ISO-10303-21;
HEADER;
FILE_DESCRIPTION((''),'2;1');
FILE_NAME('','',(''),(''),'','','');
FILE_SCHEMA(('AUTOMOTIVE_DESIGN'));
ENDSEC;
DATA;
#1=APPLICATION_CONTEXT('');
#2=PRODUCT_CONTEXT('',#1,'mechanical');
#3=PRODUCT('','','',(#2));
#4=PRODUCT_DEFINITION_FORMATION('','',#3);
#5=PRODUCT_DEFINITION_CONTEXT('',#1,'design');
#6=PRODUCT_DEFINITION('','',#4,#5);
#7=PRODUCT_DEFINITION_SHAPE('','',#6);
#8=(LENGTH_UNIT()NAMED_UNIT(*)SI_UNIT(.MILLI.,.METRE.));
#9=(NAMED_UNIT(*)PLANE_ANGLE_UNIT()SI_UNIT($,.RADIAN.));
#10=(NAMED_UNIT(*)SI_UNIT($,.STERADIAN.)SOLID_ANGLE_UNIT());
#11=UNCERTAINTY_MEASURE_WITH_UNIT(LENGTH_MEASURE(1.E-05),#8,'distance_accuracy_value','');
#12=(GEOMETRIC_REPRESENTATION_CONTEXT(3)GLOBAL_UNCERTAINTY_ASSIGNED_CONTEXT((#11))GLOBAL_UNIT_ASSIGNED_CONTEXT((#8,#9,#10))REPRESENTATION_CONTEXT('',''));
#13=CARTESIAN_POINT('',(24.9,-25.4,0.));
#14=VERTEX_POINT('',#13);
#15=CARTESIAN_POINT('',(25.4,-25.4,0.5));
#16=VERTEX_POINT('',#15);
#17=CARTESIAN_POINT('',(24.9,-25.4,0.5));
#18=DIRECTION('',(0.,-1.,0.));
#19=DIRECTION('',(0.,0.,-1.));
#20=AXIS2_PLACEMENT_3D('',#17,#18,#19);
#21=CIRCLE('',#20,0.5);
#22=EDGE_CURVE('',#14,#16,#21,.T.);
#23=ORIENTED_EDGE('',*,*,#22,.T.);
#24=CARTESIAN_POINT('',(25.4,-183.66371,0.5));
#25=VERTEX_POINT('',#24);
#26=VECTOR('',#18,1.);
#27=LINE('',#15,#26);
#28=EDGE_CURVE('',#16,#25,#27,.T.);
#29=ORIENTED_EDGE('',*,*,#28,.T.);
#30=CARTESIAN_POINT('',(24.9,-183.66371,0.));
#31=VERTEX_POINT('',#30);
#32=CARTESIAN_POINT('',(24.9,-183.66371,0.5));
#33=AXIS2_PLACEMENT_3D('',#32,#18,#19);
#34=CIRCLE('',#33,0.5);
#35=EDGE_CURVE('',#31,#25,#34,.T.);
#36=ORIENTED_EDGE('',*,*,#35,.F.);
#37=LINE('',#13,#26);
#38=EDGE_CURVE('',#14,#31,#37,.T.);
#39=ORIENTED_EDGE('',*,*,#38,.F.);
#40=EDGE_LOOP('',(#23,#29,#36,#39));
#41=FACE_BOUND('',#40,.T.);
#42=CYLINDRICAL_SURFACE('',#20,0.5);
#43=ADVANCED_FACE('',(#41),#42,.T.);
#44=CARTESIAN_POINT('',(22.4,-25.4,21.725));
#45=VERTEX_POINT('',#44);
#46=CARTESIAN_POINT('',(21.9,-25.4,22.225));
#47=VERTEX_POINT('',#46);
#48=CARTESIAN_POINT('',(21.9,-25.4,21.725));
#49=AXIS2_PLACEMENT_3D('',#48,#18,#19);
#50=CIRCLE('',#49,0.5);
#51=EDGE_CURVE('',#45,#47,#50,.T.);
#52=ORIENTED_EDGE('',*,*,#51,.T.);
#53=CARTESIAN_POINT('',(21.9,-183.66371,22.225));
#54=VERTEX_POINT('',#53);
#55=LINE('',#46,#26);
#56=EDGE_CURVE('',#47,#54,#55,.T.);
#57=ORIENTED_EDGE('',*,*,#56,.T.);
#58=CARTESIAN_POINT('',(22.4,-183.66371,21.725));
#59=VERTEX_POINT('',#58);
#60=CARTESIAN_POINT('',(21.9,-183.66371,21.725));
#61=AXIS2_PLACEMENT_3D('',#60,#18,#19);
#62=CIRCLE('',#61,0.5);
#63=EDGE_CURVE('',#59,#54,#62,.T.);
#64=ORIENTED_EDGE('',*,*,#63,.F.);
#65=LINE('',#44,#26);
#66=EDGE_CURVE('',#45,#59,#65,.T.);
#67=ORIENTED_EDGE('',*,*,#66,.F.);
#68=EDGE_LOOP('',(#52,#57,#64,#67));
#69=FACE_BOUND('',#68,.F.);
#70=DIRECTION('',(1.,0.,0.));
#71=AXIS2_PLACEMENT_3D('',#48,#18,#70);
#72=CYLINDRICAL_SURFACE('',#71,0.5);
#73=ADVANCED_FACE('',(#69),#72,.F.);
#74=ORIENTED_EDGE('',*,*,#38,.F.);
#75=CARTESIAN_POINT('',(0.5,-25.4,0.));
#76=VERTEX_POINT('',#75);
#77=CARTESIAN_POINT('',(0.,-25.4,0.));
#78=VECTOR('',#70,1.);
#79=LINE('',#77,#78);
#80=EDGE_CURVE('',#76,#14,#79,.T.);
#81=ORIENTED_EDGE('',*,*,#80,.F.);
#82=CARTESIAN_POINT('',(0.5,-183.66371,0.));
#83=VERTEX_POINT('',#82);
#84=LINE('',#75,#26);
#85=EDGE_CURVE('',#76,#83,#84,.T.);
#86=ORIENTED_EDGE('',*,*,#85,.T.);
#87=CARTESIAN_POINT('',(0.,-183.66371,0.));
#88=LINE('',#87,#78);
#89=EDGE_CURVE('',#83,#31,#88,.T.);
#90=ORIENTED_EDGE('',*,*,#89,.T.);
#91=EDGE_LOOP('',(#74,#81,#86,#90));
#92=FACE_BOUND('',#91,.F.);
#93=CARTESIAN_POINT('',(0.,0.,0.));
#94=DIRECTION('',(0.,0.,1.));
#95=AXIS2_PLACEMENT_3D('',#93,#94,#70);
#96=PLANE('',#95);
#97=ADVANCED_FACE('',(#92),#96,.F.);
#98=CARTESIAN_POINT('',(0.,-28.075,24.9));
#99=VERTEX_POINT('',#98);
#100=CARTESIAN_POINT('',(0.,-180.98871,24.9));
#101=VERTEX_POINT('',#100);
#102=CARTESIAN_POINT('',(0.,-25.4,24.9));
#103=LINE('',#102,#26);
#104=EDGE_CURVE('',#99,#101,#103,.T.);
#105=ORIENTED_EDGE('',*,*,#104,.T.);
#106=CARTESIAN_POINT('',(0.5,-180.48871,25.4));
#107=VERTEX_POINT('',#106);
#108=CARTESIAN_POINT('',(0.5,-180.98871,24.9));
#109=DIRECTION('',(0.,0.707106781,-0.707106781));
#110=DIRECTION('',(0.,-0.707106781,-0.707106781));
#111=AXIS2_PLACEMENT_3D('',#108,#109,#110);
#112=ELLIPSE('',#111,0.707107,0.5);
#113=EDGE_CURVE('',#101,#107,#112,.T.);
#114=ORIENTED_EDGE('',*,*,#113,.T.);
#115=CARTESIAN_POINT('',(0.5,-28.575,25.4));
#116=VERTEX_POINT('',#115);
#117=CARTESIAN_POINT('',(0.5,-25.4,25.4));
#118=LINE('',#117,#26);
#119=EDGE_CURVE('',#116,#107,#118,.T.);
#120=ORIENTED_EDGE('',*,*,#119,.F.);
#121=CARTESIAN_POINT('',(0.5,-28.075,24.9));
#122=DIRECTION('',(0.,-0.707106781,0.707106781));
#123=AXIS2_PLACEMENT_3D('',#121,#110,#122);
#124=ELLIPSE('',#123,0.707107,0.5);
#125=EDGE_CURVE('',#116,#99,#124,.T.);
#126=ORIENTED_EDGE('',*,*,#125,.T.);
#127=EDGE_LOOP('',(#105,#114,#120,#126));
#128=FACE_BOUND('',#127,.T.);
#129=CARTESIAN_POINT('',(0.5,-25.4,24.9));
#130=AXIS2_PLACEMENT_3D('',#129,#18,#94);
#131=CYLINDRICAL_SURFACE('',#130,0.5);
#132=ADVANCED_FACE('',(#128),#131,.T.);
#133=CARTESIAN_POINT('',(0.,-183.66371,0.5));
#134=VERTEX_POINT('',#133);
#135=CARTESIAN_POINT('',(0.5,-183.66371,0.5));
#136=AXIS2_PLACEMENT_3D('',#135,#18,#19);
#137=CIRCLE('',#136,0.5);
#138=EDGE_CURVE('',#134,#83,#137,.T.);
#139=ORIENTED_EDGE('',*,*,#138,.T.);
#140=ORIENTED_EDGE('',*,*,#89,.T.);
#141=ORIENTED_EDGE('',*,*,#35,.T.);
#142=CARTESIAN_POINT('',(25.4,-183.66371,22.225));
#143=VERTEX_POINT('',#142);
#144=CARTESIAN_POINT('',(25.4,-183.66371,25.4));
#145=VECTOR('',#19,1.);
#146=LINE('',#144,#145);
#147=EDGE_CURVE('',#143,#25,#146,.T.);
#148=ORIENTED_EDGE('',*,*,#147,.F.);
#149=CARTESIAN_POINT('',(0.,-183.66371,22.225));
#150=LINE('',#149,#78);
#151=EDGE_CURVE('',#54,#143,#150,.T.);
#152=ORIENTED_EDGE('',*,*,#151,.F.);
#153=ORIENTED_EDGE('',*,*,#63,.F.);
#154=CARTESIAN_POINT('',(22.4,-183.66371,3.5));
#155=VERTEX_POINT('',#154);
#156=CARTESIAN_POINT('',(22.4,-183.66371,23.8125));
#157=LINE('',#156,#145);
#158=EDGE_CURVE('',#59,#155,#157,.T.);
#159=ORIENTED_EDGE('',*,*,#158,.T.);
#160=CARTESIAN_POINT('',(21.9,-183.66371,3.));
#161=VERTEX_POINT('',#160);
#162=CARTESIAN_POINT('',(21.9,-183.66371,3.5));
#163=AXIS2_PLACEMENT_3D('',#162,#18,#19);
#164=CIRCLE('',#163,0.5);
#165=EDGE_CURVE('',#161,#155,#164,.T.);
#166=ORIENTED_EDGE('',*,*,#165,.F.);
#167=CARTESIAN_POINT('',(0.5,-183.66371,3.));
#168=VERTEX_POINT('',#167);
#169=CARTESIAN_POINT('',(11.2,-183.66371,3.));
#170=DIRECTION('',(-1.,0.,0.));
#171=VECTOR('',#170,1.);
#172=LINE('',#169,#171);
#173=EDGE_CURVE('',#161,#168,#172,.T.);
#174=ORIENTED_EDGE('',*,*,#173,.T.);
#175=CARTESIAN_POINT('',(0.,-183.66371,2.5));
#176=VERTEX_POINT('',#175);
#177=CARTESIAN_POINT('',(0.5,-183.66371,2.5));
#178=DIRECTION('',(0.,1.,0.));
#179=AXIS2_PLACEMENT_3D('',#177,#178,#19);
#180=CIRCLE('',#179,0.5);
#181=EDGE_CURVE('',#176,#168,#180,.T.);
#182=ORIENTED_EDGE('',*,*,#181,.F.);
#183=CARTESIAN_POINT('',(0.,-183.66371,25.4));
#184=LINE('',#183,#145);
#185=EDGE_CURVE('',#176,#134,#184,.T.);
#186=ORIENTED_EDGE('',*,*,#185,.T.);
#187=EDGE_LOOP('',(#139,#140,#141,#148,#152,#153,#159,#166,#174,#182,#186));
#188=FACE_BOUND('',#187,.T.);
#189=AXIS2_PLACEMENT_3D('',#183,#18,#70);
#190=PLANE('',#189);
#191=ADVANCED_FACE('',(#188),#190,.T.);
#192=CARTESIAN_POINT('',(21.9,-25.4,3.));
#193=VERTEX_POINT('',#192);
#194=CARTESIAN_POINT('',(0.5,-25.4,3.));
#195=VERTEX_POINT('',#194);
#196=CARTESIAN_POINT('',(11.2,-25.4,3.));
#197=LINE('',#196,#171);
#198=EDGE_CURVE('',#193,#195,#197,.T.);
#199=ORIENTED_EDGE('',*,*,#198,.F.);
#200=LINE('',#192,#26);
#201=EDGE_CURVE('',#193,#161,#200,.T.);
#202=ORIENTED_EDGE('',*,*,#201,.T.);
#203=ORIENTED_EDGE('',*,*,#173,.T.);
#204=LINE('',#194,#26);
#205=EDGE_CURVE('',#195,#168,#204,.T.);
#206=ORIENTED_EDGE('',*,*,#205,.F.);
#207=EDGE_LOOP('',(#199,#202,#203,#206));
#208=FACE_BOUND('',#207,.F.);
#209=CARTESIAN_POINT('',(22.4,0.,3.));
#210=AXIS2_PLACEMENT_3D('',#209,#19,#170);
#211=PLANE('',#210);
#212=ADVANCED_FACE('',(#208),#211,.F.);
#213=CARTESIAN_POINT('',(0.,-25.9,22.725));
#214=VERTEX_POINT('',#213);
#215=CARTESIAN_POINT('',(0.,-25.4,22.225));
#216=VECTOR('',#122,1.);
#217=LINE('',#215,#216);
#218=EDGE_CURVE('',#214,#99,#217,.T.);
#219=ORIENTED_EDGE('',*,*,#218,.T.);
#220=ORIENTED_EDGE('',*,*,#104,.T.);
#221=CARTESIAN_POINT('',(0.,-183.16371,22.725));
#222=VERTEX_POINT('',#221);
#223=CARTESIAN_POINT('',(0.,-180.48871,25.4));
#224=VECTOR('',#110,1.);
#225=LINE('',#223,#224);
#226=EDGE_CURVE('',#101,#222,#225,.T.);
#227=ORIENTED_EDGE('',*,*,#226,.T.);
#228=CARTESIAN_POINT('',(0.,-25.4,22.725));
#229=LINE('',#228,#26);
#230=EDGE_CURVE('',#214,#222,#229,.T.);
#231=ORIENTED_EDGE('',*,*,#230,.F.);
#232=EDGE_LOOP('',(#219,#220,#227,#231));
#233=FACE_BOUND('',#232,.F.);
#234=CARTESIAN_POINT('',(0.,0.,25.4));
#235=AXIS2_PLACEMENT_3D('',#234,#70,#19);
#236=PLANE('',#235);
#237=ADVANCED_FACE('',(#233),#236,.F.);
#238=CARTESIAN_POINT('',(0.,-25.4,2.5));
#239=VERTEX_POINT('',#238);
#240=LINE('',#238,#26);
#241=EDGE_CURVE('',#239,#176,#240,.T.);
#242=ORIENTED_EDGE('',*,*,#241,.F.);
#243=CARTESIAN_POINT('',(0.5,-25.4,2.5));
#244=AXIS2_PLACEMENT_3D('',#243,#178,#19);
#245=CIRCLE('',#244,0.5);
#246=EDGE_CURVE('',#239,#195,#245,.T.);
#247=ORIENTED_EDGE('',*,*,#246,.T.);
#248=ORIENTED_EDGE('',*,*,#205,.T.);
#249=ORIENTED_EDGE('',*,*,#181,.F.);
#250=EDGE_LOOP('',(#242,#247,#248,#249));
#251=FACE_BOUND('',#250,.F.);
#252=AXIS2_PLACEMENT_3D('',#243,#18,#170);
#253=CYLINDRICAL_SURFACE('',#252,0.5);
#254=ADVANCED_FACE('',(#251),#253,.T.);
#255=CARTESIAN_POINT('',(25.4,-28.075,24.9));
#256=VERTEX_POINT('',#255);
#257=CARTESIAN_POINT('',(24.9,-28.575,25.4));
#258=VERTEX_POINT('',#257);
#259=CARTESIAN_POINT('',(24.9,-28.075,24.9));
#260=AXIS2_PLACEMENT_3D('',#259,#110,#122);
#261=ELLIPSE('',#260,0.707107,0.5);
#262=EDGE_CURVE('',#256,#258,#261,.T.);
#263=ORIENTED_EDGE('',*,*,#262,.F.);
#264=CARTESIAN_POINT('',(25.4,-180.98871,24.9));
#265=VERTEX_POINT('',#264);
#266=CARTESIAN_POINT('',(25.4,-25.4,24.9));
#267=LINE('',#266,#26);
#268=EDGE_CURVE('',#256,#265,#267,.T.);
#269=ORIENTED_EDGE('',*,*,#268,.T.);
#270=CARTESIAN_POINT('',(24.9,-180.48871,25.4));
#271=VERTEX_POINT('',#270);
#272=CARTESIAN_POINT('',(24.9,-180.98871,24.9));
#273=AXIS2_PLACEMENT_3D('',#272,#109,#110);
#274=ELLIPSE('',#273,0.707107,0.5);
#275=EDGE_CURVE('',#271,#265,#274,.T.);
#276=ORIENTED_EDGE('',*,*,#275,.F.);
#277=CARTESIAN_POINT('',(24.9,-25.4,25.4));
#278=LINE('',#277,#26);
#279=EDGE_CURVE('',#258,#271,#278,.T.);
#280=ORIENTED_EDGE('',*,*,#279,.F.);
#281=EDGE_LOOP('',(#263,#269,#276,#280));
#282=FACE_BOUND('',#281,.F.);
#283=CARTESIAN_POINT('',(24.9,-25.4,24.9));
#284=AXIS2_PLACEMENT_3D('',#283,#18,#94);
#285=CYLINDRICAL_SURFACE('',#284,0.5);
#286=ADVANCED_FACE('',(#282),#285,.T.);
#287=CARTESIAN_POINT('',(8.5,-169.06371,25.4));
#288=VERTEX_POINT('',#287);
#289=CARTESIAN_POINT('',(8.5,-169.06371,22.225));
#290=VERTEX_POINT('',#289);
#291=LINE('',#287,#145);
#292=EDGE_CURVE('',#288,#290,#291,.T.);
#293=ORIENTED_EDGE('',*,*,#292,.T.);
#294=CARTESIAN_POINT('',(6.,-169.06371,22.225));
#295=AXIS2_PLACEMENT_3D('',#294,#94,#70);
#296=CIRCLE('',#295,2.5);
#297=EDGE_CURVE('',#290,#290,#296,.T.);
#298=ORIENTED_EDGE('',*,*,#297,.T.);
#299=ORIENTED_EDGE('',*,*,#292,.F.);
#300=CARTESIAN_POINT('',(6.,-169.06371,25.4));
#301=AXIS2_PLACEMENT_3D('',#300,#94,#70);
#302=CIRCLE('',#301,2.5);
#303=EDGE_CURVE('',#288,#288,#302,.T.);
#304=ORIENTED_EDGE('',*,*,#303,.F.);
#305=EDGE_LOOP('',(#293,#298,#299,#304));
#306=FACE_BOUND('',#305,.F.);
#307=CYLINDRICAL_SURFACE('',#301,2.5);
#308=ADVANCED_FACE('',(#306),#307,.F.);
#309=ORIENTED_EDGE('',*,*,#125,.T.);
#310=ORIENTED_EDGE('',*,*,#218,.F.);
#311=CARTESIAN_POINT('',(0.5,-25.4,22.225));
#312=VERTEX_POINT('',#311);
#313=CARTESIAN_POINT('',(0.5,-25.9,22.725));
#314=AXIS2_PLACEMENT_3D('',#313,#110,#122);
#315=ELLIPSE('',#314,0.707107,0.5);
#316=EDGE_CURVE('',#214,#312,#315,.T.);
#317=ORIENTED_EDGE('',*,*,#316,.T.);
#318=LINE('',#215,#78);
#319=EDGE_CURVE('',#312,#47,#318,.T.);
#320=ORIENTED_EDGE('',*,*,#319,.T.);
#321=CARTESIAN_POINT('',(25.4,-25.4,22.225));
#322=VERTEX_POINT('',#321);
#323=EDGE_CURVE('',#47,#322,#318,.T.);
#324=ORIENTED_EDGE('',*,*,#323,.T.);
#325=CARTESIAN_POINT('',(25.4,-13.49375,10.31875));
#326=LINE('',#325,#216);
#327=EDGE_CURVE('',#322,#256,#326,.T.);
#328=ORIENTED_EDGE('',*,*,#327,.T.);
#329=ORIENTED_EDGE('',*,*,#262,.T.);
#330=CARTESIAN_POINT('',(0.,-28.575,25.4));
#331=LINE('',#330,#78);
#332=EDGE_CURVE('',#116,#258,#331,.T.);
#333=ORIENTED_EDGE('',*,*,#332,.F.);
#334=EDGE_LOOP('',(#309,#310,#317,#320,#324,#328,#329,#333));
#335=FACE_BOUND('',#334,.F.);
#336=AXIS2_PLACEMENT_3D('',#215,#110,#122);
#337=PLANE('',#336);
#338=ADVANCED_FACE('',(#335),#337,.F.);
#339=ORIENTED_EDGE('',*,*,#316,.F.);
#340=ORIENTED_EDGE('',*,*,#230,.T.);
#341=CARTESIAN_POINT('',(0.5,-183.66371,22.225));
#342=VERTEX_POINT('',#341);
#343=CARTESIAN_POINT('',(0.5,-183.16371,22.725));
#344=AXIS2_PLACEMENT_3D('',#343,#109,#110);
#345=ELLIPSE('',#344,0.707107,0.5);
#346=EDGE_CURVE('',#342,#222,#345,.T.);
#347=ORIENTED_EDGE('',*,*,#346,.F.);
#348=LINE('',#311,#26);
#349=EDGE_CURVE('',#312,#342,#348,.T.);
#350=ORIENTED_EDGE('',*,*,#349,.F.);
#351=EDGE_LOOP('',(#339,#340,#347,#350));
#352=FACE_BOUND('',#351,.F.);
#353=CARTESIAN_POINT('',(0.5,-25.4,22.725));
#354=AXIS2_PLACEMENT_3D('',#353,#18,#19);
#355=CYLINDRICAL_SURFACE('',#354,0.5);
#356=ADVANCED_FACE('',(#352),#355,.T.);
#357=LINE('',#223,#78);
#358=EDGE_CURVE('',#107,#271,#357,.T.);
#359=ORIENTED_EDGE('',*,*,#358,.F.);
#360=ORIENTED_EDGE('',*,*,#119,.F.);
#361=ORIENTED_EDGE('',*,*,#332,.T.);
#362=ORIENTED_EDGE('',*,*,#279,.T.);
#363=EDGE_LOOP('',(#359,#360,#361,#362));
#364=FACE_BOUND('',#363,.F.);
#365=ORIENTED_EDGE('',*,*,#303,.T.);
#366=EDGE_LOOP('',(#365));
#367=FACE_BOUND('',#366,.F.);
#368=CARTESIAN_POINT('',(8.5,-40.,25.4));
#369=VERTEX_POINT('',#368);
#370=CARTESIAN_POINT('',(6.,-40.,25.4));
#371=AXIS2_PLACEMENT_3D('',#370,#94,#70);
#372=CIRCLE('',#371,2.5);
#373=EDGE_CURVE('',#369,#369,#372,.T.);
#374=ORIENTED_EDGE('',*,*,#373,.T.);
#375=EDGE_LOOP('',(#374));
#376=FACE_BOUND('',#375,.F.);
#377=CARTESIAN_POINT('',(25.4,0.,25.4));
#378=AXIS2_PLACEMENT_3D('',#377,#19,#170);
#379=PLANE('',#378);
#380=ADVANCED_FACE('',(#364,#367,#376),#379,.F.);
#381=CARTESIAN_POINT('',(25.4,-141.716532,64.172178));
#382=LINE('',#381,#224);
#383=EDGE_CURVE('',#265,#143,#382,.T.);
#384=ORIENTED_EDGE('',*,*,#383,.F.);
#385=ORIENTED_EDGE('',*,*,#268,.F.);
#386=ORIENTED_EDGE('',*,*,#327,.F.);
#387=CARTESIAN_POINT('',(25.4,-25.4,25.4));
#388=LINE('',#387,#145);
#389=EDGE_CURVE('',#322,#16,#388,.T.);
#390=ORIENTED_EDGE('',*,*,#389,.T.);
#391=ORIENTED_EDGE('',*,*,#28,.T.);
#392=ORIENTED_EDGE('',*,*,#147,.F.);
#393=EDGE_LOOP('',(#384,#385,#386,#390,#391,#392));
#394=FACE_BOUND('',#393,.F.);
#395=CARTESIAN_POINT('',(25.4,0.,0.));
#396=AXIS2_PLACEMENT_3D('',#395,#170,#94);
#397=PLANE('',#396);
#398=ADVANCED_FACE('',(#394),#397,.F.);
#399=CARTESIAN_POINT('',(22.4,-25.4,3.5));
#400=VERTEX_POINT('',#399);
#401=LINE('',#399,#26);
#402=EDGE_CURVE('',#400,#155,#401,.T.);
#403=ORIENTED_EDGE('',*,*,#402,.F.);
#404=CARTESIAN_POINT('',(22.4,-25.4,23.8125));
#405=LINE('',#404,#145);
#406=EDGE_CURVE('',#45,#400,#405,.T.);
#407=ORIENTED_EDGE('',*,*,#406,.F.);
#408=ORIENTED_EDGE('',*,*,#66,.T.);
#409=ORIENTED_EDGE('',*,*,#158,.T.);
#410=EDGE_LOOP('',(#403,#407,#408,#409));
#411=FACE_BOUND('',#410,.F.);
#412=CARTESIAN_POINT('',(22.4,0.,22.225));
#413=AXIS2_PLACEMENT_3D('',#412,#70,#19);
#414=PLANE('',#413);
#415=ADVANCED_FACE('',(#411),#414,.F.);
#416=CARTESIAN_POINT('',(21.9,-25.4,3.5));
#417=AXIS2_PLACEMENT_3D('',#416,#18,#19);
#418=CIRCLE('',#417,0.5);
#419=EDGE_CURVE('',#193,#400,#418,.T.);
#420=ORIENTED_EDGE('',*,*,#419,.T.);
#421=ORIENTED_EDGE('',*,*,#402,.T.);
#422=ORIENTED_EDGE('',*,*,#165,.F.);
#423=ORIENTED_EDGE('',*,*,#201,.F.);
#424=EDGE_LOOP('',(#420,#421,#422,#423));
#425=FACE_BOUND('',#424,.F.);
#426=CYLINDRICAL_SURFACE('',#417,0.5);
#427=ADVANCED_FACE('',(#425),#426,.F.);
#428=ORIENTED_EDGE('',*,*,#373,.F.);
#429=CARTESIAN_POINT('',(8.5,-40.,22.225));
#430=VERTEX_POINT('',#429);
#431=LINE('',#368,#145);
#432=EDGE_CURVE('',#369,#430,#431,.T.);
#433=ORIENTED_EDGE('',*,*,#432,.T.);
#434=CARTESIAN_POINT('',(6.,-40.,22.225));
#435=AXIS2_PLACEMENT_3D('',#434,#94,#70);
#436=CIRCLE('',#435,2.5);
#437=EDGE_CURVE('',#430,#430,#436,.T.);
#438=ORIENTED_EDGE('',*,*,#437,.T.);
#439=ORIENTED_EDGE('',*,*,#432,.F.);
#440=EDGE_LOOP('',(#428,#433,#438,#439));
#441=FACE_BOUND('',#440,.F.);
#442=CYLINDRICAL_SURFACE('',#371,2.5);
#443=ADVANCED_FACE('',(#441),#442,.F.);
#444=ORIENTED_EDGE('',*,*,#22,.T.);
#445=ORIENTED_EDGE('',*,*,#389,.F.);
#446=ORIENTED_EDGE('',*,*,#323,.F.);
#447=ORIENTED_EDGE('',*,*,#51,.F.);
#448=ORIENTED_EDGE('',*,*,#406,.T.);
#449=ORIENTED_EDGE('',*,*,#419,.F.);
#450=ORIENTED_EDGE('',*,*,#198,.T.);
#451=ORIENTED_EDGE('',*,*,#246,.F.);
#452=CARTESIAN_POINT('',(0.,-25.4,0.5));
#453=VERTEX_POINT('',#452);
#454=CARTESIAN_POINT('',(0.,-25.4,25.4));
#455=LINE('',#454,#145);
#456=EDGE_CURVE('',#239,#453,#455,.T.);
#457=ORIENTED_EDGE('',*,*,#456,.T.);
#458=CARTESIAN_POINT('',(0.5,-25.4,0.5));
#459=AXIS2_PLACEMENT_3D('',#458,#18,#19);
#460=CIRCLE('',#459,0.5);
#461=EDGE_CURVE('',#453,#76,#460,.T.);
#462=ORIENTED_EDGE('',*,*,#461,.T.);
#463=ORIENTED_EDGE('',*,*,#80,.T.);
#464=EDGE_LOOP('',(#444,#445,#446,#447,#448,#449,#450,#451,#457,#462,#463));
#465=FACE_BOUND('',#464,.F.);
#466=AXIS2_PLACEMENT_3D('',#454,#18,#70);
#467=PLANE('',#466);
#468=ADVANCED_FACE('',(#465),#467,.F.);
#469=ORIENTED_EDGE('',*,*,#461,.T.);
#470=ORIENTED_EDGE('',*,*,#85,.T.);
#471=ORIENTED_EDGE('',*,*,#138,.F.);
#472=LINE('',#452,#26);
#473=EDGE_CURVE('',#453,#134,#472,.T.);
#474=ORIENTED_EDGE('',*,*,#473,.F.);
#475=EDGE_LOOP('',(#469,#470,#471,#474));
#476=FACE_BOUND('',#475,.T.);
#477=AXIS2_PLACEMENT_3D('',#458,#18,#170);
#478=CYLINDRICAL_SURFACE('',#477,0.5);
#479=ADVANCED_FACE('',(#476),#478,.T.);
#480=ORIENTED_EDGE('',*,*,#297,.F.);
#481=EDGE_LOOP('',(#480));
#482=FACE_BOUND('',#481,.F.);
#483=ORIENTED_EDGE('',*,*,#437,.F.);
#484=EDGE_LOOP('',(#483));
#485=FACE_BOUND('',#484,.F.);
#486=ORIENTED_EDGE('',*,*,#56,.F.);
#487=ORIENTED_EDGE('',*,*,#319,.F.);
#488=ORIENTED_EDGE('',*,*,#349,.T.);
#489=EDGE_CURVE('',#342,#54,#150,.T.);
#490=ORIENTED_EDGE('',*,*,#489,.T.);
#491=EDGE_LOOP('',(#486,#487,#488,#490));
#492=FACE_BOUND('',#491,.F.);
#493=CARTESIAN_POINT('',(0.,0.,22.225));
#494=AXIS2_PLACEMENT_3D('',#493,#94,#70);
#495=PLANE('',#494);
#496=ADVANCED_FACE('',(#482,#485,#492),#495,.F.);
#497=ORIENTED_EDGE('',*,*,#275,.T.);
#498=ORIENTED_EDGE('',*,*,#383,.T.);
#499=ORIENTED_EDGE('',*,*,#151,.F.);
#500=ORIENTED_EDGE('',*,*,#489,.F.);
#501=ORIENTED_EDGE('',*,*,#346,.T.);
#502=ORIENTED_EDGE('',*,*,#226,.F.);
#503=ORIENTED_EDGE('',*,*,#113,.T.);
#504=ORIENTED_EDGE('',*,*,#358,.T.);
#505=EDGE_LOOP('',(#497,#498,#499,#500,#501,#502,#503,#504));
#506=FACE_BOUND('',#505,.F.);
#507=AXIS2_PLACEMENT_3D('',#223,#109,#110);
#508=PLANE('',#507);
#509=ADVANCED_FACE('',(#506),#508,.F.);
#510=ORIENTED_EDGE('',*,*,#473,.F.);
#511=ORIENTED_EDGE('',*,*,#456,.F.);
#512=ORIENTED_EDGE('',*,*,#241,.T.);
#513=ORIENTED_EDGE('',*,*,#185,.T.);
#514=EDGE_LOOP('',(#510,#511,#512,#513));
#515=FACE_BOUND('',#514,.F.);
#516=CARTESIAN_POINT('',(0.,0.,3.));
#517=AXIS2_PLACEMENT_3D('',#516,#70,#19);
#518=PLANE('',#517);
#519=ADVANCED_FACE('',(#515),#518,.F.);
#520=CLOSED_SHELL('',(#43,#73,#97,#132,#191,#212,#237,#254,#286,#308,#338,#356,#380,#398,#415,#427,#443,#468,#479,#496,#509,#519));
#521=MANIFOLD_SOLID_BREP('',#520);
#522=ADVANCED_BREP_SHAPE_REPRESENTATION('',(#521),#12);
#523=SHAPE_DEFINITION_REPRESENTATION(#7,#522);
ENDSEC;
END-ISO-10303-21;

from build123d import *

# Parameters (mm, degrees)
F1_DEPTH = 209.06371
F2_R     = 2.5
F3_DEPTH = 5
F4_W     = 25.4
F4_H     = 25.4
F5_DEPTH = 25.401
F6_R     = 0.5
F8_DEPTH = 25.401


with BuildPart() as f1:
    # F0 (on Front) → F1 (new body)
    with BuildSketch(Plane.XZ):
        Polygon((0, 3), (0, 0), (25.4, 0), (25.4, 25.4), (0, 25.4), (0, 22.225), (22.4, 22.225), (22.4, 3), align=None)
    extrude(amount=F1_DEPTH)

    # F2 (on face) → F3 (cut)
    with BuildSketch(Plane.XY.offset(25.4)):
        with Locations((6, -40)):
            Circle(F2_R)
        with Locations((6, -169.06371)):
            Circle(F2_R)
    extrude(amount=-F3_DEPTH, mode=Mode.SUBTRACT)

    # F4 (on face) → F5 (cut, through all)
    with BuildSketch(Plane.XY.offset(25.4)):
        with Locations((12.7, -12.7)):
            Rectangle(F4_W, F4_H)
        with Locations((12.7, -196.36371)):
            Rectangle(F4_W, F4_H)
    extrude(amount=-F5_DEPTH, mode=Mode.SUBTRACT)

    # F6
    f6_edges = [f1.edges().sort_by_distance(p)[0] for p in [
        (0, -104.531855, 3),
        (0, -104.531855, 0),
        (22.4, -104.531855, 3),
        (0, -104.531855, 22.225),
        (0, -104.531855, 25.4),
        (22.4, -104.531855, 22.225),
        (25.4, -104.531855, 25.4),
        (25.4, -104.531855, 0),
    ]]
    fillet(f6_edges, radius=F6_R)

    # F7 (on face) → F8 (cut, through all)
    with BuildSketch(Plane(origin=(0, 0, 0), x_dir=(0, -1, 0), z_dir=(-1, 0, 0))):
        Polygon((25.4, 25.4), (25.4, 22.225), (28.575, 25.4), align=None)
        Polygon((180.48871, 25.4), (183.66371, 22.225), (183.66371, 25.4), align=None)
    extrude(amount=-F8_DEPTH, mode=Mode.SUBTRACT)


solid = f1.part
